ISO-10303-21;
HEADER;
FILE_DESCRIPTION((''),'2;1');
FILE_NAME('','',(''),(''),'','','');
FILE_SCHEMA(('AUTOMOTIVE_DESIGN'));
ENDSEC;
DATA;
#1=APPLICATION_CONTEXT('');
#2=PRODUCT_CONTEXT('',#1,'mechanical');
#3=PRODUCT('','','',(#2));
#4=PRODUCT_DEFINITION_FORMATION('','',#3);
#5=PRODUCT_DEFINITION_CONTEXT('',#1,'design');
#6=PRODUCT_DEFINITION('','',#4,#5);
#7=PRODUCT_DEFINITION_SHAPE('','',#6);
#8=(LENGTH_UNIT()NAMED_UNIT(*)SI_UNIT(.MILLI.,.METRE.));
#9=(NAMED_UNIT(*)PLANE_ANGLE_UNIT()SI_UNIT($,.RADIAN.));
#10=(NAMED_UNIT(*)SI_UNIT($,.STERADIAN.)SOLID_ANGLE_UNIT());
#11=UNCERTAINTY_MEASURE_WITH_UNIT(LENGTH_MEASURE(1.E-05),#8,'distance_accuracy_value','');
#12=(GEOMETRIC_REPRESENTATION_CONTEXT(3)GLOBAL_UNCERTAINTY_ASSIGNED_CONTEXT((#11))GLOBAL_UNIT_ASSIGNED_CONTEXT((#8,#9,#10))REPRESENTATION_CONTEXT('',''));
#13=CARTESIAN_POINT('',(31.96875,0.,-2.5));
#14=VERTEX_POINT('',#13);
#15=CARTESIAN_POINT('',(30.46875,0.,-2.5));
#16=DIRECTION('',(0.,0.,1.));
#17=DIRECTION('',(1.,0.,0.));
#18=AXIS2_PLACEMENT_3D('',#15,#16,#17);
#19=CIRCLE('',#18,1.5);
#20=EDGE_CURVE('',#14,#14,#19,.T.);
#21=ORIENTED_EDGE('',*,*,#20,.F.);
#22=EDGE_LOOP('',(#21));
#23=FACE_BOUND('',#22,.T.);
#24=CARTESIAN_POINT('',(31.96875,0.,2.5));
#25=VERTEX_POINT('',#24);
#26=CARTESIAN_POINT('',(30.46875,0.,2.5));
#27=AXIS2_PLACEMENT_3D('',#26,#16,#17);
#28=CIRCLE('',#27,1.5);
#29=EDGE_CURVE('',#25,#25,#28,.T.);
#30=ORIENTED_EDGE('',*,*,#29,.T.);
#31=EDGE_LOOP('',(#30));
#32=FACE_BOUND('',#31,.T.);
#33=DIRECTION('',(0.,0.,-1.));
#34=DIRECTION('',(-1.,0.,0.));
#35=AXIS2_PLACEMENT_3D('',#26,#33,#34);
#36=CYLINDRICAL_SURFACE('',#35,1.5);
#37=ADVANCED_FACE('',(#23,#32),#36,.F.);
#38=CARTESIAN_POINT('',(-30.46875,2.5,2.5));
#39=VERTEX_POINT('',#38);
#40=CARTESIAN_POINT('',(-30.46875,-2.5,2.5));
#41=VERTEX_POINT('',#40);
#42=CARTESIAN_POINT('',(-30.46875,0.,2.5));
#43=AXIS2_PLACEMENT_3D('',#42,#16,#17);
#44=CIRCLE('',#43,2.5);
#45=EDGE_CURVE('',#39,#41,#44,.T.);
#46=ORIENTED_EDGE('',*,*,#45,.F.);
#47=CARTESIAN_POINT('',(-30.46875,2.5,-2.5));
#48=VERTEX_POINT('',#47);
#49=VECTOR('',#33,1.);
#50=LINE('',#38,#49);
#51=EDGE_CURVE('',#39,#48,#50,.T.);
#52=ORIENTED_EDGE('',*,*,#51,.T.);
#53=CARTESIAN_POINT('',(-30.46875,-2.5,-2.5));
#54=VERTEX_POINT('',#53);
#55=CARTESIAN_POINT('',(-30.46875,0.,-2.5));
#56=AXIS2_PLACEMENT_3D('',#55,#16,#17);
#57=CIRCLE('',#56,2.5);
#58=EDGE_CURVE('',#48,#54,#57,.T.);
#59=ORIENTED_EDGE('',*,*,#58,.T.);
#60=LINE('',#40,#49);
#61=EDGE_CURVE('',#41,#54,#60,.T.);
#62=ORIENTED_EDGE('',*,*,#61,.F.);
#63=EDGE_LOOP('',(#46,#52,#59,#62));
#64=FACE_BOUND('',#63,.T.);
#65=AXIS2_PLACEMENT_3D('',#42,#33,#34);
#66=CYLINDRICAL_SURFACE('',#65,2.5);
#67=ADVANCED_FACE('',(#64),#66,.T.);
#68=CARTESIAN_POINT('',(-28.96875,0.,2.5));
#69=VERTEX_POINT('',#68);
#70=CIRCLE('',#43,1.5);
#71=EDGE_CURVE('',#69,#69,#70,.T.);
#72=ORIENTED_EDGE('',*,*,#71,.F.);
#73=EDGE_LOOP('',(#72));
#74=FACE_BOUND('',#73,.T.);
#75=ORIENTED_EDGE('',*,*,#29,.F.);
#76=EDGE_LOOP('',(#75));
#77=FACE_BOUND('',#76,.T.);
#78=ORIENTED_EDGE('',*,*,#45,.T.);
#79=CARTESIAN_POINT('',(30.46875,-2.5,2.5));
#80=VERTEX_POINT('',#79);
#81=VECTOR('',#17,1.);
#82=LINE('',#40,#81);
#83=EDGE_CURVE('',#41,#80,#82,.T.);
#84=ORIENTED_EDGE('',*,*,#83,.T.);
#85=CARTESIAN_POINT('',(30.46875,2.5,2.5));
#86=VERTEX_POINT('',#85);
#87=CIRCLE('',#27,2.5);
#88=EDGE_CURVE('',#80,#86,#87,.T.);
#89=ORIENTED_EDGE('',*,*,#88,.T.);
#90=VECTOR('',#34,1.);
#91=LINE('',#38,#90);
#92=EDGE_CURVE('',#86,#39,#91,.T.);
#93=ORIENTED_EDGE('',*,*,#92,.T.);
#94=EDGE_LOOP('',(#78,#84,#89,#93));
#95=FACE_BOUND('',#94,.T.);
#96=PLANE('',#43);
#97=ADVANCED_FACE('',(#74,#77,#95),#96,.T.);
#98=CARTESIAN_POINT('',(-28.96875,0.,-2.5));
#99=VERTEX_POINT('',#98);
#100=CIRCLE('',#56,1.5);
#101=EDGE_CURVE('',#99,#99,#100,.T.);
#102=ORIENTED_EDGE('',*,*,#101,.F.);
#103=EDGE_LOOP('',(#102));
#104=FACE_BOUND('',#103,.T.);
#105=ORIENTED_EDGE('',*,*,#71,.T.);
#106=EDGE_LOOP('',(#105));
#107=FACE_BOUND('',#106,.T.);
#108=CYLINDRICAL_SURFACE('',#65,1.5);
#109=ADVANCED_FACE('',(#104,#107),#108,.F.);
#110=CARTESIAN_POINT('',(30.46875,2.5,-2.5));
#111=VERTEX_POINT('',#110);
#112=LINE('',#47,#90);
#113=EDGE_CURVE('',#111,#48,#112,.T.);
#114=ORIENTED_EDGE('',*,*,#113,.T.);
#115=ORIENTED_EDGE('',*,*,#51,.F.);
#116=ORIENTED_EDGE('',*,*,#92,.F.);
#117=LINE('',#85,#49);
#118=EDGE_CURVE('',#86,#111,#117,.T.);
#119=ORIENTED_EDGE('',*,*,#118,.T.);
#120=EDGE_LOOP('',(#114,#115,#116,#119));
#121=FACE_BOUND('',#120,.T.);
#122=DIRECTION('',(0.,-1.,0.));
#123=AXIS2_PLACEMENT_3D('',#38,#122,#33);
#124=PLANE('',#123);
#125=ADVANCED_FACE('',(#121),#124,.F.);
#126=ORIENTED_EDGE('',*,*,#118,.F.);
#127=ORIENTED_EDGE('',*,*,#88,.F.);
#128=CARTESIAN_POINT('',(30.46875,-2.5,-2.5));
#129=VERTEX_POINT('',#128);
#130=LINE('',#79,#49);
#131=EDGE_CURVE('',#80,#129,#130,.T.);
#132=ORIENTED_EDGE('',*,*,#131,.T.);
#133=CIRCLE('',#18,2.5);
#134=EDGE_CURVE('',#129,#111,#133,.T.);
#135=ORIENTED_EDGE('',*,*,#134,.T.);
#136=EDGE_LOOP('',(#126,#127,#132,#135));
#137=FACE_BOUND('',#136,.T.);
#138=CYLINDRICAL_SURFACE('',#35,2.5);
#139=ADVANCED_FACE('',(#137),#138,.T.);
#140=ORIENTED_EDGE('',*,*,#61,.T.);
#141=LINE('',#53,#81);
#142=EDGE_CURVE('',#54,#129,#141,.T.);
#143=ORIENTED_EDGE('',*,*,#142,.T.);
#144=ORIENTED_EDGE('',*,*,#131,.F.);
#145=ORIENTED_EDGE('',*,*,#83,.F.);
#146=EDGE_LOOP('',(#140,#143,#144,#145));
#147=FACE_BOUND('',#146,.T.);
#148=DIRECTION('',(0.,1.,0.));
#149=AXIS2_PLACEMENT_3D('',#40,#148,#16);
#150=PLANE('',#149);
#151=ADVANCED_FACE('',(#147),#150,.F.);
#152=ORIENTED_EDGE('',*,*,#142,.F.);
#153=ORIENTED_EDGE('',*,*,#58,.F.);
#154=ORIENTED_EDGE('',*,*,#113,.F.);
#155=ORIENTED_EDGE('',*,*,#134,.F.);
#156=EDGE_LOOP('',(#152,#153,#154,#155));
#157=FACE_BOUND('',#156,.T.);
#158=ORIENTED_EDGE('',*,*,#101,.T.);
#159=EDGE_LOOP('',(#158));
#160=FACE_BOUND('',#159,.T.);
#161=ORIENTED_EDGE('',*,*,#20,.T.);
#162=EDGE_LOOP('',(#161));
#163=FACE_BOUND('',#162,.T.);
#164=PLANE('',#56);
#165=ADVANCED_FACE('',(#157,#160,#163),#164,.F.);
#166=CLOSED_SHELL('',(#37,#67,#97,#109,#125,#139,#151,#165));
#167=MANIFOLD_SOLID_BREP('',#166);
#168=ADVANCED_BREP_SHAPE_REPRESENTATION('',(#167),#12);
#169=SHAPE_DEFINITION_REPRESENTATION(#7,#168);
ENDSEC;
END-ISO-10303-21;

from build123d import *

# Parameters (mm, degrees)
SKETCH1_R           = 1.5
BOSS_EXTRUDE1_DEPTH = 2.5


with BuildPart() as part:
    # Sketch1 → Boss-Extrude1 (new, symmetric)
    with BuildSketch(Plane.XY):
        with BuildLine():
            Line((-30.46875, 2.5), (30.46875, 2.5))
            ThreePointArc((30.46875, 2.5), (32.96875, 0), (30.46875, -2.5))
            Line((30.46875, -2.5), (-30.46875, -2.5))
            ThreePointArc((-30.46875, -2.5), (-32.96875, 0), (-30.46875, 2.5))
        make_face()
        with Locations((-30.46875, 0)):
            Circle(SKETCH1_R, mode=Mode.SUBTRACT)
        with Locations((30.46875, 0)):
            Circle(SKETCH1_R, mode=Mode.SUBTRACT)
    extrude(amount=BOSS_EXTRUDE1_DEPTH, both=True)


solid = part.part
